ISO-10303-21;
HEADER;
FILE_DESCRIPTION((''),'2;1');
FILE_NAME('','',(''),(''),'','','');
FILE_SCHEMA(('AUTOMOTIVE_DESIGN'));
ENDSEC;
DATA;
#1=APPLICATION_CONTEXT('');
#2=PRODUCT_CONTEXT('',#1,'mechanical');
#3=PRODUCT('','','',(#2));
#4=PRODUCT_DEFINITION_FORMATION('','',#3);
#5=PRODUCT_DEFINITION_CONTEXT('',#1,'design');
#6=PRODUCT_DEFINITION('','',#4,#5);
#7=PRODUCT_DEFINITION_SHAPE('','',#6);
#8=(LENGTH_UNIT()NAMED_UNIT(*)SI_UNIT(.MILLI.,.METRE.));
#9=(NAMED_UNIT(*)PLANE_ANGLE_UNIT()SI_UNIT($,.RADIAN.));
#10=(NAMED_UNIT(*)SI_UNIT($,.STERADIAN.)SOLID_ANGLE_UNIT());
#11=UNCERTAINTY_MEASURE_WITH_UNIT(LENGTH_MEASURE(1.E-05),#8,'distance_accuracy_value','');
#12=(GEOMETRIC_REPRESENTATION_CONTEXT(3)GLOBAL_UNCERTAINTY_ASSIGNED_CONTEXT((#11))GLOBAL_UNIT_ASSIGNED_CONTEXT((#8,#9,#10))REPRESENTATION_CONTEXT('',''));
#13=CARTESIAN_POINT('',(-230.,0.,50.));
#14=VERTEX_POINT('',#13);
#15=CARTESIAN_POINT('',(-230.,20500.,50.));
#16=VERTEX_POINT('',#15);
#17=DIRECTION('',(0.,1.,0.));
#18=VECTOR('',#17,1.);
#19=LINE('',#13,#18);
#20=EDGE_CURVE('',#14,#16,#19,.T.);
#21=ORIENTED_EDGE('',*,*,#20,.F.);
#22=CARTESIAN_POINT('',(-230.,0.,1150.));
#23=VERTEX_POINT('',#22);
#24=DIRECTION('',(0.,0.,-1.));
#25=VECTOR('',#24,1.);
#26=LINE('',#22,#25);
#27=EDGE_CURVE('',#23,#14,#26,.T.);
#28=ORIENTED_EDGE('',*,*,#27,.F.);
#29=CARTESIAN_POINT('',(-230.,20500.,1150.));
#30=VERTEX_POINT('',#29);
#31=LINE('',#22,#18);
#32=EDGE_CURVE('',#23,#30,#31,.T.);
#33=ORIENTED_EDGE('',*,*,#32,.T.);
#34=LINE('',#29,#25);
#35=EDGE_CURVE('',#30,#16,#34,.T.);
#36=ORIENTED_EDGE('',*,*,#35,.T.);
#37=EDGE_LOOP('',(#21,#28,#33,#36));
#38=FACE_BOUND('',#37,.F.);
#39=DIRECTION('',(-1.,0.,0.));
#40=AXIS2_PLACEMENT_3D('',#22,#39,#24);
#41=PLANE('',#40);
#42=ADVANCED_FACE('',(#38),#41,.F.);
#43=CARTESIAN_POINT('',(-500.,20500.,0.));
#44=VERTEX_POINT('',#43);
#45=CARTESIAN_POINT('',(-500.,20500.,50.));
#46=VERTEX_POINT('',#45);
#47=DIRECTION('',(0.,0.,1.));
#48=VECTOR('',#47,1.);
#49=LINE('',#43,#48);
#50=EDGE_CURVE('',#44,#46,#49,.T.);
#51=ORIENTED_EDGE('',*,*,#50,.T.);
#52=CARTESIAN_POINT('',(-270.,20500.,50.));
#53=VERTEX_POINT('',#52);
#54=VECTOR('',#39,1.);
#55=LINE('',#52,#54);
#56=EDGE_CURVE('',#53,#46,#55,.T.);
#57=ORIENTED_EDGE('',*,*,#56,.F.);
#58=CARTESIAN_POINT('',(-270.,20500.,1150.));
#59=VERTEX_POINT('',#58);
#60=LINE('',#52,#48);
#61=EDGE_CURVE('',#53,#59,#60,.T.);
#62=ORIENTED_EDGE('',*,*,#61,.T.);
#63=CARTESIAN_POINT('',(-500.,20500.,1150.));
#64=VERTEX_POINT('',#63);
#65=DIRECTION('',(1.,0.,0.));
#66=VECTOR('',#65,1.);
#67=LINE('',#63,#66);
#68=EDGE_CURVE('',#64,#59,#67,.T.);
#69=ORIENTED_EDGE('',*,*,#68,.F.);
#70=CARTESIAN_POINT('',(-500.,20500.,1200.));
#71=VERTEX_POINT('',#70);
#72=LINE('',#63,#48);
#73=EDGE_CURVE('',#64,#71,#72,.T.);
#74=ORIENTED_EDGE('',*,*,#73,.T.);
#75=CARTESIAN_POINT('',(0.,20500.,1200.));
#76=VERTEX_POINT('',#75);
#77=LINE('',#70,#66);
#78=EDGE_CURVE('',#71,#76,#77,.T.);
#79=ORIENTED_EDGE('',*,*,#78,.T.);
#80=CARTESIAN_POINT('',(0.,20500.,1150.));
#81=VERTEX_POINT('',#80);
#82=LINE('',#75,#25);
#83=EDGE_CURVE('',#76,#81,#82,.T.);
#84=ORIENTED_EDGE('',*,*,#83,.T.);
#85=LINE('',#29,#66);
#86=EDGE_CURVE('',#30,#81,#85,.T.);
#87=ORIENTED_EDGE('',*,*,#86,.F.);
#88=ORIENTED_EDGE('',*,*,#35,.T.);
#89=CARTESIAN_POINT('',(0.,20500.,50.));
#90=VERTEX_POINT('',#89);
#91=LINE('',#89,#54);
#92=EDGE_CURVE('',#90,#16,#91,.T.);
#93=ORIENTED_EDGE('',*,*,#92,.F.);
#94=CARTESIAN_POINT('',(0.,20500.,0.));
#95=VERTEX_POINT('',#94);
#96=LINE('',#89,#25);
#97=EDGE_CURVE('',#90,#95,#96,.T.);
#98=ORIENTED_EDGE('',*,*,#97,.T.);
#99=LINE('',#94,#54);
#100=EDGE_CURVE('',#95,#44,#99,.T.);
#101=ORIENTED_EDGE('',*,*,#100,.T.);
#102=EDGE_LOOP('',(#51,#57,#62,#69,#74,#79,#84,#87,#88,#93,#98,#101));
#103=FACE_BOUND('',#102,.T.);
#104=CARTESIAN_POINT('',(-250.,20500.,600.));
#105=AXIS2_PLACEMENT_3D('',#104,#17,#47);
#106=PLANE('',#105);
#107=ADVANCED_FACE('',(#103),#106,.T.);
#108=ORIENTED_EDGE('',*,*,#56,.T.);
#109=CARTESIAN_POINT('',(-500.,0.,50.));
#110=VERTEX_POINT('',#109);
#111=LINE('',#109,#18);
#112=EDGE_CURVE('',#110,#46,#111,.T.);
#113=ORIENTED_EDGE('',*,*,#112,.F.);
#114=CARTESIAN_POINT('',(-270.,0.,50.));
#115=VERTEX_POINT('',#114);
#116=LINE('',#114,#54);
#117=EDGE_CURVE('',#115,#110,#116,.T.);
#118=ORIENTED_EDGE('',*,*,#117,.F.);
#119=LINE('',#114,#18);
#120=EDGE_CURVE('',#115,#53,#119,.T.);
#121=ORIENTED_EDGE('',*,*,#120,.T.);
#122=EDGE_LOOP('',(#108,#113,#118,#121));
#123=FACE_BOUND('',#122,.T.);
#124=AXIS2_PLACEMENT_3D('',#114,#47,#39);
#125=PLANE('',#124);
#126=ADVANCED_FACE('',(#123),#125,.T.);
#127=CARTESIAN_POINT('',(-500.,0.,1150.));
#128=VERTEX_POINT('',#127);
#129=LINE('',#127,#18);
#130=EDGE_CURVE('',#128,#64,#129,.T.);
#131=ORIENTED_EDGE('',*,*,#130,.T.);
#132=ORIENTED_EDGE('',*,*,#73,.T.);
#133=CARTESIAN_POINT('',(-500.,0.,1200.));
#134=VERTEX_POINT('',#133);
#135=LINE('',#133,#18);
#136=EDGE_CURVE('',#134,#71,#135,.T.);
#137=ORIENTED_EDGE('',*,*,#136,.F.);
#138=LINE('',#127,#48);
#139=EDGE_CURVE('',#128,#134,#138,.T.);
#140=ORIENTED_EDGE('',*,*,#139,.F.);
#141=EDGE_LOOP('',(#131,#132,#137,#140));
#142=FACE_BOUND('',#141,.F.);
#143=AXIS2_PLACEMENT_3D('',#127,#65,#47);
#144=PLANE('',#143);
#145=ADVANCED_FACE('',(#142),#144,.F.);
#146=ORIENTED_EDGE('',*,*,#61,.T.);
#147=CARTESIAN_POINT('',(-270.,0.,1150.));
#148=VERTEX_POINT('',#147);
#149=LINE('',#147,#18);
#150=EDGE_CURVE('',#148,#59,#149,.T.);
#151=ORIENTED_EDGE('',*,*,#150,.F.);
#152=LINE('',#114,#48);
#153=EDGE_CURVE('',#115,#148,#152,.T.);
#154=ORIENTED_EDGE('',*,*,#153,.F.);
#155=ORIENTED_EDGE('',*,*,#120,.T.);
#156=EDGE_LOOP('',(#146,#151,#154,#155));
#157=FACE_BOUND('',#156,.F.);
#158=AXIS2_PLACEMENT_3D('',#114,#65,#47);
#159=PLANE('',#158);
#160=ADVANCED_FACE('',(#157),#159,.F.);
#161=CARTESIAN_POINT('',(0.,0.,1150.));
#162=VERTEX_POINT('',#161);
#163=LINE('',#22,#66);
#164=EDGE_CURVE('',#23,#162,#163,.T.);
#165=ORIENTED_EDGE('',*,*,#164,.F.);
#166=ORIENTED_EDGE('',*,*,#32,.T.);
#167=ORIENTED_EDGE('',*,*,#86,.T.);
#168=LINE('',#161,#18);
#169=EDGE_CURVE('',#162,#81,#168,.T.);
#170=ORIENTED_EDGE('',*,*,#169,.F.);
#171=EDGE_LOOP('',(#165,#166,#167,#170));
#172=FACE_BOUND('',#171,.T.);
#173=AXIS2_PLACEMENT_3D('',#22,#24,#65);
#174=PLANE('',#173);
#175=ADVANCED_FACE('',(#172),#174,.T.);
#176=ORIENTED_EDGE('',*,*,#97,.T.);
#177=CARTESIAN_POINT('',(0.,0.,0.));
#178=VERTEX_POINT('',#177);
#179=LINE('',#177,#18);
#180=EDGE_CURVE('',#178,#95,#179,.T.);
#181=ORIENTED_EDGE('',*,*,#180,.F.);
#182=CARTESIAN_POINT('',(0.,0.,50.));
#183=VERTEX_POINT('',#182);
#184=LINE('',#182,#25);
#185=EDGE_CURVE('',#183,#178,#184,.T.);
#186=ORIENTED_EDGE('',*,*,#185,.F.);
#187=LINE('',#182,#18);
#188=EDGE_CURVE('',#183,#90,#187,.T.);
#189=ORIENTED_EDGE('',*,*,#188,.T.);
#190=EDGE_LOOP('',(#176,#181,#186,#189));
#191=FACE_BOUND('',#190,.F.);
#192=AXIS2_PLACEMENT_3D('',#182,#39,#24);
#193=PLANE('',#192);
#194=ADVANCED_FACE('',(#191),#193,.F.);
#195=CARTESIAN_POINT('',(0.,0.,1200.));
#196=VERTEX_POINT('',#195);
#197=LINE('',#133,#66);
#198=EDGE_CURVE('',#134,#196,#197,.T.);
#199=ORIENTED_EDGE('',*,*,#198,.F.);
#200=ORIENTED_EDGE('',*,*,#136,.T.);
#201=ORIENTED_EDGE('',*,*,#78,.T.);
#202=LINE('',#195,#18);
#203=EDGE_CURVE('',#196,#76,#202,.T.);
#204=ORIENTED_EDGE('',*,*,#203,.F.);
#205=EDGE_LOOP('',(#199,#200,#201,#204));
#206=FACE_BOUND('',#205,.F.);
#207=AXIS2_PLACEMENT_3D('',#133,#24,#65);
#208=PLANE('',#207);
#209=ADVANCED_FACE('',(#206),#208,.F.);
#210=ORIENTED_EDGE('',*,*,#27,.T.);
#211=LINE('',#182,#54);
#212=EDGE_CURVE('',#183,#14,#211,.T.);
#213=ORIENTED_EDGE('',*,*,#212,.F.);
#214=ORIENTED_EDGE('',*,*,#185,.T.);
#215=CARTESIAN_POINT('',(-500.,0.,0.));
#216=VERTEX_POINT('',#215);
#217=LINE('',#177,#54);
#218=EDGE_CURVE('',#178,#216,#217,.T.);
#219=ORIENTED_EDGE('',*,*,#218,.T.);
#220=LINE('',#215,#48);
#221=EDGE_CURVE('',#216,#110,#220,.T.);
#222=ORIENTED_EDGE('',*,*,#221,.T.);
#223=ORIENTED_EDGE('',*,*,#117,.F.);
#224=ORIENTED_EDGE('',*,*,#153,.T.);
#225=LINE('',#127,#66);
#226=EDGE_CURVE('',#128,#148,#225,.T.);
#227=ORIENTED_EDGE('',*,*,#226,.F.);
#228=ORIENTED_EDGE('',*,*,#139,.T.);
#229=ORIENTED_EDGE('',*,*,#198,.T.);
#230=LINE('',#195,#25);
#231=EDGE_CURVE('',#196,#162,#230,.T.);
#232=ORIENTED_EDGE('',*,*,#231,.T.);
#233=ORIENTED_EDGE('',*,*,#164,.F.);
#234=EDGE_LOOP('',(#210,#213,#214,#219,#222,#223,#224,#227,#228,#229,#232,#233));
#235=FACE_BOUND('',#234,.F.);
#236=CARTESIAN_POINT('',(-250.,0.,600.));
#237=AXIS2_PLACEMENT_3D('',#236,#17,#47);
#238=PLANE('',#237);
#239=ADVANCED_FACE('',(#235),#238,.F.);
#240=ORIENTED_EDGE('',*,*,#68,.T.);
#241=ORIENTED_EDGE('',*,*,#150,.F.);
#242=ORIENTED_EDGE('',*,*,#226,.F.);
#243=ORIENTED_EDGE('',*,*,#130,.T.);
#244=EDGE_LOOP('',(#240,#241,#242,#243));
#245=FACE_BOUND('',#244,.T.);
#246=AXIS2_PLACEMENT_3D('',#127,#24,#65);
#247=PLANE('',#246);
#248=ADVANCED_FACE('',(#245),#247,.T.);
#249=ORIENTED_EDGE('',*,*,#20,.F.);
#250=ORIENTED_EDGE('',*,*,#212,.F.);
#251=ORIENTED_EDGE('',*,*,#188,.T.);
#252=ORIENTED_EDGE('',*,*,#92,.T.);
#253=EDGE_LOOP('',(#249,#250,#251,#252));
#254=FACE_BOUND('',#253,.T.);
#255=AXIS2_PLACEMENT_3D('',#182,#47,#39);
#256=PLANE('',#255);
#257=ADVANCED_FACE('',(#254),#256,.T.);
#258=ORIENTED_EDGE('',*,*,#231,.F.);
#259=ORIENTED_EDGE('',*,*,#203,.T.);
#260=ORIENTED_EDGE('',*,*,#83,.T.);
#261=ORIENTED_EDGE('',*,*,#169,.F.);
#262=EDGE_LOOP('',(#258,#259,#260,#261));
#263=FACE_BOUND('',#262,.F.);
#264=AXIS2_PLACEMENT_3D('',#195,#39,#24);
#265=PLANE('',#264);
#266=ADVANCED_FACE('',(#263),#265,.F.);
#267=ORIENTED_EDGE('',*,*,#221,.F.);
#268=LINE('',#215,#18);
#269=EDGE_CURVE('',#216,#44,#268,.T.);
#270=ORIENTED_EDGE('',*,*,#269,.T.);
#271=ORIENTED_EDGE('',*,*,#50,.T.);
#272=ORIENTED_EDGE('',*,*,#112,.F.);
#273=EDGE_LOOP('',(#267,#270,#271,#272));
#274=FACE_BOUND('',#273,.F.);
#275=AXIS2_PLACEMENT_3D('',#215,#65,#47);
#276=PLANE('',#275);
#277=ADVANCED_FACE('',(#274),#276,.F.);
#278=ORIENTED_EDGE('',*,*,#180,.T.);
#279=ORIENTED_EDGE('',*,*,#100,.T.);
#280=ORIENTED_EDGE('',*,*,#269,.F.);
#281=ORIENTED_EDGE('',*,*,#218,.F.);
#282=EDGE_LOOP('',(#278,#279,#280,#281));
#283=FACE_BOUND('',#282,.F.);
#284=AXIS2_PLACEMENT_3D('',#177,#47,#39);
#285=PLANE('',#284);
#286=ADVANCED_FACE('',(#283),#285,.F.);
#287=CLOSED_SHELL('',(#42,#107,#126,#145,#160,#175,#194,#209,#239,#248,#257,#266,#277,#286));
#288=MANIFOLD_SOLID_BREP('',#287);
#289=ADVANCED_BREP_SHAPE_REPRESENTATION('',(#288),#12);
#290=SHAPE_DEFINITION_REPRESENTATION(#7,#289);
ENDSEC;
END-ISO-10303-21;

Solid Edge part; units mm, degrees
sketch "Sketch1" plane through (0, 0, 0) normal (0, -1, 0) x (1, 0, 0)
  line L0 (-500, 1200) -> (0, 1200)
  line L1 (0, 1200) -> (0, 1150)
  line L2 (-230, 1150) -> (0, 1150)
  line L3 (-230, 1150) -> (-230, 50)
  line L4 (0, 50) -> (-230, 50)
  line L5 (0, 50) -> (0, 0)
  line L6 (0, 0) -> (-500, 0)
  line L7 (-500, 0) -> (-500, 50)
  line L8 (-270, 50) -> (-500, 50)
  line L9 (-270, 50) -> (-270, 1150)
  line L10 (-500, 1150) -> (-270, 1150)
  line L11 (-500, 1150) -> (-500, 1200)
extrude "Protrusion1" add sketch "Sketch1" against normal blind 20500
properties material "Aluminum, 6061-T6"
